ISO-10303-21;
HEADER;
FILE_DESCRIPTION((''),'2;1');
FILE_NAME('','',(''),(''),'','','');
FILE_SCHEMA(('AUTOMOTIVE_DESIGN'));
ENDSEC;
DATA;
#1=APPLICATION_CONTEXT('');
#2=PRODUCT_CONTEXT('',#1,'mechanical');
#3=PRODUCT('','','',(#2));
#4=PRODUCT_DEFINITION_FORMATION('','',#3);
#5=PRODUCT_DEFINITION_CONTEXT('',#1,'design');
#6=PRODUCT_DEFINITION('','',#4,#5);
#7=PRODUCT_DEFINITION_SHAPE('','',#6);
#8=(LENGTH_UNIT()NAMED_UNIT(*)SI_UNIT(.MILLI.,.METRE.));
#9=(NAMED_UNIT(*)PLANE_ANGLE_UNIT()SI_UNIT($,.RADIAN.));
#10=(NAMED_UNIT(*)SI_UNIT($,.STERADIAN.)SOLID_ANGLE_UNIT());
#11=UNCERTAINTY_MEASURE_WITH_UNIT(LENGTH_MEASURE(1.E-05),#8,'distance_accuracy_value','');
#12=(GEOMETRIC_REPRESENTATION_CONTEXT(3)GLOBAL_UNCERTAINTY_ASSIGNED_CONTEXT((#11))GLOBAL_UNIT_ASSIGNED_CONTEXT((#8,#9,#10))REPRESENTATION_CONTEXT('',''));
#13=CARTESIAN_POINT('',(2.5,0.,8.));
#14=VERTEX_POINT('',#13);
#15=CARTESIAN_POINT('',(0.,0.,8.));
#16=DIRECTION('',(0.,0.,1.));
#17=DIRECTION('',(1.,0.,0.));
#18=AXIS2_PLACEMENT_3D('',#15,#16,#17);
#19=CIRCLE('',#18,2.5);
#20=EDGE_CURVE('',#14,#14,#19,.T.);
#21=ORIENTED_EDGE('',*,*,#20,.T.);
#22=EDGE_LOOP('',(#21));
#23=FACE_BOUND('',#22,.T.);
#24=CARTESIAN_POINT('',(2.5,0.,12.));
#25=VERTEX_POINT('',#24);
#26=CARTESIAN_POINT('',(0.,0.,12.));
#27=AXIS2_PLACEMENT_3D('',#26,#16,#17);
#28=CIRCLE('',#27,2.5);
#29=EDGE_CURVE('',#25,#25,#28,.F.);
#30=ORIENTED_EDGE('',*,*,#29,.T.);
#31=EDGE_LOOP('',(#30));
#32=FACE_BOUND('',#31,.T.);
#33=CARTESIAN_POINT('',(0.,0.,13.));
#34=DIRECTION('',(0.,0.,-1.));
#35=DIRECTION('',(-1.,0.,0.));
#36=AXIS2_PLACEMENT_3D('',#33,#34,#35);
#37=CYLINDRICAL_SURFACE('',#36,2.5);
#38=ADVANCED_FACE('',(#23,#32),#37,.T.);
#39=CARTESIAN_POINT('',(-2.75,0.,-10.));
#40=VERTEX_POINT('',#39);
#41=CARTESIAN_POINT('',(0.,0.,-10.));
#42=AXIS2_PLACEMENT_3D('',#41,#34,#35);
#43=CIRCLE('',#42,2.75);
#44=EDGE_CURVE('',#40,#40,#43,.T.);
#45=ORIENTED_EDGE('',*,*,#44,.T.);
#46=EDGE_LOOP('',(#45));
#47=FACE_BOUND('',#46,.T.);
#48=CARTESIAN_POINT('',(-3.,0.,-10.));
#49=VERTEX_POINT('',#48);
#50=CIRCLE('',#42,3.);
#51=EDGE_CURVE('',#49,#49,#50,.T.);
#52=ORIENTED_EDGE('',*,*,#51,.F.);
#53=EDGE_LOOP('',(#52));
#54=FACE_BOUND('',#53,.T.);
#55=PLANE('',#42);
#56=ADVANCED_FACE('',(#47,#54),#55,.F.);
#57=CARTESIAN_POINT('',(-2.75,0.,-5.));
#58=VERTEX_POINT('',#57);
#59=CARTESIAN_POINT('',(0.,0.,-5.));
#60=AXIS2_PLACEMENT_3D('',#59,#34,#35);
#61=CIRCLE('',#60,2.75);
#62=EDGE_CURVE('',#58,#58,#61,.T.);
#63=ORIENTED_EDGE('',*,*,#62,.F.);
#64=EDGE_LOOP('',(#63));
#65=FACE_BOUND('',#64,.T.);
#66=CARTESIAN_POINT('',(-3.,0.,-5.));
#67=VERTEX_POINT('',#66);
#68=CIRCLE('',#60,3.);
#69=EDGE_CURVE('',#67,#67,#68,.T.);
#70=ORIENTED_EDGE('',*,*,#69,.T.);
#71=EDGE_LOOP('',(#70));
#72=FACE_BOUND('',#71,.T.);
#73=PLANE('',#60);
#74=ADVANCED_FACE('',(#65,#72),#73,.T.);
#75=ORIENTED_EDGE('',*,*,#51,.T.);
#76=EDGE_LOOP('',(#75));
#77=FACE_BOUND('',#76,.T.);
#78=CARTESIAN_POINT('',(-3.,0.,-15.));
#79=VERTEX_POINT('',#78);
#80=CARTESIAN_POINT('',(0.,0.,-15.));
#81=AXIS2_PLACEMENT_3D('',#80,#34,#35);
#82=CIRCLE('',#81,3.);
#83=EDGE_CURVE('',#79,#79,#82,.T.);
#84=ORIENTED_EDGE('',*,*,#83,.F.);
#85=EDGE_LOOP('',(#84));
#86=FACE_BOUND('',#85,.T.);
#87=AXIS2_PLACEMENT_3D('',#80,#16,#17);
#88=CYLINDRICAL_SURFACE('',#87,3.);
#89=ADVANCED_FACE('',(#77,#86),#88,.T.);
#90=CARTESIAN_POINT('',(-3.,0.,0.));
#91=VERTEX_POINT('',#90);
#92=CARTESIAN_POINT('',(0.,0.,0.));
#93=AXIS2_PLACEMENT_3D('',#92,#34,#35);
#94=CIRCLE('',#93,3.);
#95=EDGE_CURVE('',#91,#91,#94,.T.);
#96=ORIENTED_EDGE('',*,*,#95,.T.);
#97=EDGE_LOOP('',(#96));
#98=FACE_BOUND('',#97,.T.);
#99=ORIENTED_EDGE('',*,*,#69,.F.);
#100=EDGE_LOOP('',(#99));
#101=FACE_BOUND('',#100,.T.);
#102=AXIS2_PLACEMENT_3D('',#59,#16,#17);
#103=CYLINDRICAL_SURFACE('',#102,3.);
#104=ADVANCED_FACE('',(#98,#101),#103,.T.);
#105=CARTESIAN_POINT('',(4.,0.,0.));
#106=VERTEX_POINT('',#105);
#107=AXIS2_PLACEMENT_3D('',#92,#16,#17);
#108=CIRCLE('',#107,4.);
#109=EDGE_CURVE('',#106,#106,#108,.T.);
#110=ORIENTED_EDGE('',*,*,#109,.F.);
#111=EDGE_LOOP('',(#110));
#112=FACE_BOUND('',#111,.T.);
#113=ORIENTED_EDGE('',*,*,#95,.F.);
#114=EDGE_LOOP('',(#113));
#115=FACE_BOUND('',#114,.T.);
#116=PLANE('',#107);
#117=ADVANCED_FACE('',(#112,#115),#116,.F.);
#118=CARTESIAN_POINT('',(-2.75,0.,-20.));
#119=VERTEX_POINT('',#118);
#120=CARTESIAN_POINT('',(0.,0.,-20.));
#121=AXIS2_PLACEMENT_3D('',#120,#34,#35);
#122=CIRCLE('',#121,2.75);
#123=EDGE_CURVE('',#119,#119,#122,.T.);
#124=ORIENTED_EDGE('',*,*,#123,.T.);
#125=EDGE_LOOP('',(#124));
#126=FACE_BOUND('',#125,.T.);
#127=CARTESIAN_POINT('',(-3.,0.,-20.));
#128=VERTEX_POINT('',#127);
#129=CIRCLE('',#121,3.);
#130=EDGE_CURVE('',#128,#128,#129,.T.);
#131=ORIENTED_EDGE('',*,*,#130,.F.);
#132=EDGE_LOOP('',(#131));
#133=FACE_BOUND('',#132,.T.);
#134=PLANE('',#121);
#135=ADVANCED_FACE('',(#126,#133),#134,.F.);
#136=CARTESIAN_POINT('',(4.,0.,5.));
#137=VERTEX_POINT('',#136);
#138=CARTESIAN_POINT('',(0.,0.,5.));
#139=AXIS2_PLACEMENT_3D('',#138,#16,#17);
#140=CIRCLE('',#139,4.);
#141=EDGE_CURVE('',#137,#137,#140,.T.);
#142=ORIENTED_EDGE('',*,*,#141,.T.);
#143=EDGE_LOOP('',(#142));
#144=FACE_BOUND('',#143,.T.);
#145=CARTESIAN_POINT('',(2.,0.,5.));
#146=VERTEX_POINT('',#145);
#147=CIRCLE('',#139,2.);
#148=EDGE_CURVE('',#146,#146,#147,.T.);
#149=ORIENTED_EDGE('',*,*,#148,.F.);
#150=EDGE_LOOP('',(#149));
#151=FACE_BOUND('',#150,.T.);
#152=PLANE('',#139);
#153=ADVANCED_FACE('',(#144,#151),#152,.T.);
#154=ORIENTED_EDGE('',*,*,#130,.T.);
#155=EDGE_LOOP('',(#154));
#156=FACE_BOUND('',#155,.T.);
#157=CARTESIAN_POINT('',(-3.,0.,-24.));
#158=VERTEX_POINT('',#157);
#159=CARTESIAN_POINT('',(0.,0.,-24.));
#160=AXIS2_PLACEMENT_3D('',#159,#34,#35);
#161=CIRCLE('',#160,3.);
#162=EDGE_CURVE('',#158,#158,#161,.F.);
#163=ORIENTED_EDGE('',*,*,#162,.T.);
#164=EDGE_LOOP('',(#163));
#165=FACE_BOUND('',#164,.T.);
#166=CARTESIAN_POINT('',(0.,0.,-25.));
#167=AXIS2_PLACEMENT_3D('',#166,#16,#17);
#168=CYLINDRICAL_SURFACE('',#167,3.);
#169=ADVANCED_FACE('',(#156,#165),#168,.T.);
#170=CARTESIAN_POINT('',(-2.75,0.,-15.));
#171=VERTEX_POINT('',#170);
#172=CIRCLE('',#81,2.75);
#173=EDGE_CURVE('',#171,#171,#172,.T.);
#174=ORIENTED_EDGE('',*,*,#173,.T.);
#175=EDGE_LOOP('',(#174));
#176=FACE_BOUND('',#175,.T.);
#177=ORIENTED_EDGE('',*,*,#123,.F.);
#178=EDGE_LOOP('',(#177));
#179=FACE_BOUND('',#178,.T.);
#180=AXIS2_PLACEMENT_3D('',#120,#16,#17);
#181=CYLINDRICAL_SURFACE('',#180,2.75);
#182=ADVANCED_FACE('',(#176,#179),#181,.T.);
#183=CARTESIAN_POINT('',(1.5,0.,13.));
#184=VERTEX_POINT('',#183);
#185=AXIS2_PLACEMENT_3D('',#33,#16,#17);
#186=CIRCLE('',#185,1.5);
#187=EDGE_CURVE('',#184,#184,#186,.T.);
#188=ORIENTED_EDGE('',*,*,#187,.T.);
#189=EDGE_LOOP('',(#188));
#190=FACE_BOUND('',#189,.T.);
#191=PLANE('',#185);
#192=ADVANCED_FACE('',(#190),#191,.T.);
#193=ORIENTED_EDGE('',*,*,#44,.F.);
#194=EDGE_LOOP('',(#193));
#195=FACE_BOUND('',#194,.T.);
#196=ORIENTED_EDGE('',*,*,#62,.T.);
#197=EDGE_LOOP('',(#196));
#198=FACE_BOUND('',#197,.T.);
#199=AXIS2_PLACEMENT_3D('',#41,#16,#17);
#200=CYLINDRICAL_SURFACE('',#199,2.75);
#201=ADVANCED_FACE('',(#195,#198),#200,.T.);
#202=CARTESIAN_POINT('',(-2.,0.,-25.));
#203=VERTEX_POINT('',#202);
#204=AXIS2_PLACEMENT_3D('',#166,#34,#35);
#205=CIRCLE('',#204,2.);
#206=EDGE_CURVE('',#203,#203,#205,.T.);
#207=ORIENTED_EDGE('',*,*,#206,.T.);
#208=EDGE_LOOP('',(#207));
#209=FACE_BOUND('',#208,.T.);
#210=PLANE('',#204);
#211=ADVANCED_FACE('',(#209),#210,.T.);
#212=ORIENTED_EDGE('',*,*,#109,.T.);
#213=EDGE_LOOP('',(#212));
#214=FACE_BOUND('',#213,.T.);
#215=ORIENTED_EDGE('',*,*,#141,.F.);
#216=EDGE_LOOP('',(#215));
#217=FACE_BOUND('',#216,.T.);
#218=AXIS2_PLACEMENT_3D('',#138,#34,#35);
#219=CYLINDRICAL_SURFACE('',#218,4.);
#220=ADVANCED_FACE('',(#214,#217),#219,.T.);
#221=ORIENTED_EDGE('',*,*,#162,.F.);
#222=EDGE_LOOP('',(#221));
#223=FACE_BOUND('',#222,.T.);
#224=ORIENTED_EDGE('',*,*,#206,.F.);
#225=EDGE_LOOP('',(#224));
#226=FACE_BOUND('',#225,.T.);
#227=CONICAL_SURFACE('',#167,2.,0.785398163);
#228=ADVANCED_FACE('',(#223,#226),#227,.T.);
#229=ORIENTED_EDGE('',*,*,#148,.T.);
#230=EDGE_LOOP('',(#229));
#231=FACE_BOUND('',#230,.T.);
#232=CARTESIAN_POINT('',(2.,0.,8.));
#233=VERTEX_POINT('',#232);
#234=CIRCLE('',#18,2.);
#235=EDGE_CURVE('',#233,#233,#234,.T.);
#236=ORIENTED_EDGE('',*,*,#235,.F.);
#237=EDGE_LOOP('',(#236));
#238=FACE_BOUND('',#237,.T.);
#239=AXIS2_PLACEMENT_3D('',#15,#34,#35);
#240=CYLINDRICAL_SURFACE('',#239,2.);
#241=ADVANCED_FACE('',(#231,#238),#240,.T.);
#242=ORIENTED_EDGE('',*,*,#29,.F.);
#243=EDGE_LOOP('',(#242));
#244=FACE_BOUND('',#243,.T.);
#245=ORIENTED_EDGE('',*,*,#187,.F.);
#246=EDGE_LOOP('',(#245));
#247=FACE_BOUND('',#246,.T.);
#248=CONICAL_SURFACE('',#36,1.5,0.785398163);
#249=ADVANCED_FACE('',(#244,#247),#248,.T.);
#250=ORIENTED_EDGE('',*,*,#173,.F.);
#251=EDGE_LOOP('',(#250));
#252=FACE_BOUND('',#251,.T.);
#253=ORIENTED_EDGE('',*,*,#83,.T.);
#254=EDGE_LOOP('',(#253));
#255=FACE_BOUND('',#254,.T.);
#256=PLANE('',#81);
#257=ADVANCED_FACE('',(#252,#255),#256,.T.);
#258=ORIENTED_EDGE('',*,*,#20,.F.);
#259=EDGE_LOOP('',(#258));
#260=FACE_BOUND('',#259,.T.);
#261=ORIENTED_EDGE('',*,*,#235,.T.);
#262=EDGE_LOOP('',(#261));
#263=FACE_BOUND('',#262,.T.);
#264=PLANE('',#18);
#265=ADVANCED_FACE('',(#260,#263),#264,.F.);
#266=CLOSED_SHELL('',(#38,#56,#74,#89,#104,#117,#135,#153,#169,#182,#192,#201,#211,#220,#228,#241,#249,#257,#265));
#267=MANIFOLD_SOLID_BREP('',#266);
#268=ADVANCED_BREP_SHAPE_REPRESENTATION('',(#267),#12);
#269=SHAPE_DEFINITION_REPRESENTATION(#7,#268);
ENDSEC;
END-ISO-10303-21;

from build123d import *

# Parameters (mm, degrees)
ESQUISSE1_R         = 4
BOSS_EXTRU_1_DEPTH  = 5
ESQUISSE5_R         = 3
BOSS_EXTRU_5_DEPTH  = 5
ESQUISSE6_R         = 2.75
BOSS_EXTRU_6_DEPTH  = 5
ESQUISSE7_R         = 3
BOSS_EXTRU_7_DEPTH  = 5
ESQUISSE8_R         = 2.75
BOSS_EXTRU_8_DEPTH  = 5
ESQUISSE9_R         = 3
BOSS_EXTRU_9_DEPTH  = 5
CHANFREIN1_SIZE     = 1
ESQUISSE10_R        = 2
BOSS_EXTRU_10_DEPTH = 3
ESQUISSE11_R        = 2.5
BOSS_EXTRU_11_DEPTH = 5
CHANFREIN2_SIZE     = 1


with BuildPart() as part:
    # Esquisse1 → Boss.-Extru.1 (new body)
    with BuildSketch(Plane.XY):
        Circle(ESQUISSE1_R)
    extrude(amount=BOSS_EXTRU_1_DEPTH)

    # Esquisse5 → Boss.-Extru.5 (add)
    with BuildSketch(Plane(origin=(0, 0, 0), x_dir=(-1, 0, 0), z_dir=(0, 0, -1))):
        Circle(ESQUISSE5_R)
    extrude(amount=BOSS_EXTRU_5_DEPTH)

    # Esquisse6 → Boss.-Extru.6 (add)
    with BuildSketch(Plane(origin=(0, 0, -5), x_dir=(-1, 0, 0), z_dir=(0, 0, -1))):
        Circle(ESQUISSE6_R)
    extrude(amount=BOSS_EXTRU_6_DEPTH)

    # Esquisse7 → Boss.-Extru.7 (add)
    with BuildSketch(Plane(origin=(0, 0, -10), x_dir=(-1, 0, 0), z_dir=(0, 0, -1))):
        Circle(ESQUISSE7_R)
    extrude(amount=BOSS_EXTRU_7_DEPTH)

    # Esquisse8 → Boss.-Extru.8 (add)
    with BuildSketch(Plane(origin=(0, 0, -15), x_dir=(-1, 0, 0), z_dir=(0, 0, -1))):
        Circle(ESQUISSE8_R)
    extrude(amount=BOSS_EXTRU_8_DEPTH)

    # Esquisse9 → Boss.-Extru.9 (add)
    with BuildSketch(Plane(origin=(0, 0, -20), x_dir=(-1, 0, 0), z_dir=(0, 0, -1))):
        Circle(ESQUISSE9_R)
    extrude(amount=BOSS_EXTRU_9_DEPTH)

    # Chanfrein1
    chanfrein1_edges = [part.edges().sort_by_distance(p)[0] for p in [
        (3, 0, -25),
    ]]
    chamfer(chanfrein1_edges, length=CHANFREIN1_SIZE)

    # Esquisse10 → Boss.-Extru.10 (add)
    with BuildSketch(Plane.XY.offset(5)):
        Circle(ESQUISSE10_R)
    extrude(amount=BOSS_EXTRU_10_DEPTH)

    # Esquisse11 → Boss.-Extru.11 (add)
    with BuildSketch(Plane.XY.offset(8)):
        Circle(ESQUISSE11_R)
    extrude(amount=BOSS_EXTRU_11_DEPTH)

    # Chanfrein2
    chanfrein2_edges = [part.edges().sort_by_distance(p)[0] for p in [
        (-2.5, 0, 13),
    ]]
    chamfer(chanfrein2_edges, length=CHANFREIN2_SIZE)


solid = part.part
